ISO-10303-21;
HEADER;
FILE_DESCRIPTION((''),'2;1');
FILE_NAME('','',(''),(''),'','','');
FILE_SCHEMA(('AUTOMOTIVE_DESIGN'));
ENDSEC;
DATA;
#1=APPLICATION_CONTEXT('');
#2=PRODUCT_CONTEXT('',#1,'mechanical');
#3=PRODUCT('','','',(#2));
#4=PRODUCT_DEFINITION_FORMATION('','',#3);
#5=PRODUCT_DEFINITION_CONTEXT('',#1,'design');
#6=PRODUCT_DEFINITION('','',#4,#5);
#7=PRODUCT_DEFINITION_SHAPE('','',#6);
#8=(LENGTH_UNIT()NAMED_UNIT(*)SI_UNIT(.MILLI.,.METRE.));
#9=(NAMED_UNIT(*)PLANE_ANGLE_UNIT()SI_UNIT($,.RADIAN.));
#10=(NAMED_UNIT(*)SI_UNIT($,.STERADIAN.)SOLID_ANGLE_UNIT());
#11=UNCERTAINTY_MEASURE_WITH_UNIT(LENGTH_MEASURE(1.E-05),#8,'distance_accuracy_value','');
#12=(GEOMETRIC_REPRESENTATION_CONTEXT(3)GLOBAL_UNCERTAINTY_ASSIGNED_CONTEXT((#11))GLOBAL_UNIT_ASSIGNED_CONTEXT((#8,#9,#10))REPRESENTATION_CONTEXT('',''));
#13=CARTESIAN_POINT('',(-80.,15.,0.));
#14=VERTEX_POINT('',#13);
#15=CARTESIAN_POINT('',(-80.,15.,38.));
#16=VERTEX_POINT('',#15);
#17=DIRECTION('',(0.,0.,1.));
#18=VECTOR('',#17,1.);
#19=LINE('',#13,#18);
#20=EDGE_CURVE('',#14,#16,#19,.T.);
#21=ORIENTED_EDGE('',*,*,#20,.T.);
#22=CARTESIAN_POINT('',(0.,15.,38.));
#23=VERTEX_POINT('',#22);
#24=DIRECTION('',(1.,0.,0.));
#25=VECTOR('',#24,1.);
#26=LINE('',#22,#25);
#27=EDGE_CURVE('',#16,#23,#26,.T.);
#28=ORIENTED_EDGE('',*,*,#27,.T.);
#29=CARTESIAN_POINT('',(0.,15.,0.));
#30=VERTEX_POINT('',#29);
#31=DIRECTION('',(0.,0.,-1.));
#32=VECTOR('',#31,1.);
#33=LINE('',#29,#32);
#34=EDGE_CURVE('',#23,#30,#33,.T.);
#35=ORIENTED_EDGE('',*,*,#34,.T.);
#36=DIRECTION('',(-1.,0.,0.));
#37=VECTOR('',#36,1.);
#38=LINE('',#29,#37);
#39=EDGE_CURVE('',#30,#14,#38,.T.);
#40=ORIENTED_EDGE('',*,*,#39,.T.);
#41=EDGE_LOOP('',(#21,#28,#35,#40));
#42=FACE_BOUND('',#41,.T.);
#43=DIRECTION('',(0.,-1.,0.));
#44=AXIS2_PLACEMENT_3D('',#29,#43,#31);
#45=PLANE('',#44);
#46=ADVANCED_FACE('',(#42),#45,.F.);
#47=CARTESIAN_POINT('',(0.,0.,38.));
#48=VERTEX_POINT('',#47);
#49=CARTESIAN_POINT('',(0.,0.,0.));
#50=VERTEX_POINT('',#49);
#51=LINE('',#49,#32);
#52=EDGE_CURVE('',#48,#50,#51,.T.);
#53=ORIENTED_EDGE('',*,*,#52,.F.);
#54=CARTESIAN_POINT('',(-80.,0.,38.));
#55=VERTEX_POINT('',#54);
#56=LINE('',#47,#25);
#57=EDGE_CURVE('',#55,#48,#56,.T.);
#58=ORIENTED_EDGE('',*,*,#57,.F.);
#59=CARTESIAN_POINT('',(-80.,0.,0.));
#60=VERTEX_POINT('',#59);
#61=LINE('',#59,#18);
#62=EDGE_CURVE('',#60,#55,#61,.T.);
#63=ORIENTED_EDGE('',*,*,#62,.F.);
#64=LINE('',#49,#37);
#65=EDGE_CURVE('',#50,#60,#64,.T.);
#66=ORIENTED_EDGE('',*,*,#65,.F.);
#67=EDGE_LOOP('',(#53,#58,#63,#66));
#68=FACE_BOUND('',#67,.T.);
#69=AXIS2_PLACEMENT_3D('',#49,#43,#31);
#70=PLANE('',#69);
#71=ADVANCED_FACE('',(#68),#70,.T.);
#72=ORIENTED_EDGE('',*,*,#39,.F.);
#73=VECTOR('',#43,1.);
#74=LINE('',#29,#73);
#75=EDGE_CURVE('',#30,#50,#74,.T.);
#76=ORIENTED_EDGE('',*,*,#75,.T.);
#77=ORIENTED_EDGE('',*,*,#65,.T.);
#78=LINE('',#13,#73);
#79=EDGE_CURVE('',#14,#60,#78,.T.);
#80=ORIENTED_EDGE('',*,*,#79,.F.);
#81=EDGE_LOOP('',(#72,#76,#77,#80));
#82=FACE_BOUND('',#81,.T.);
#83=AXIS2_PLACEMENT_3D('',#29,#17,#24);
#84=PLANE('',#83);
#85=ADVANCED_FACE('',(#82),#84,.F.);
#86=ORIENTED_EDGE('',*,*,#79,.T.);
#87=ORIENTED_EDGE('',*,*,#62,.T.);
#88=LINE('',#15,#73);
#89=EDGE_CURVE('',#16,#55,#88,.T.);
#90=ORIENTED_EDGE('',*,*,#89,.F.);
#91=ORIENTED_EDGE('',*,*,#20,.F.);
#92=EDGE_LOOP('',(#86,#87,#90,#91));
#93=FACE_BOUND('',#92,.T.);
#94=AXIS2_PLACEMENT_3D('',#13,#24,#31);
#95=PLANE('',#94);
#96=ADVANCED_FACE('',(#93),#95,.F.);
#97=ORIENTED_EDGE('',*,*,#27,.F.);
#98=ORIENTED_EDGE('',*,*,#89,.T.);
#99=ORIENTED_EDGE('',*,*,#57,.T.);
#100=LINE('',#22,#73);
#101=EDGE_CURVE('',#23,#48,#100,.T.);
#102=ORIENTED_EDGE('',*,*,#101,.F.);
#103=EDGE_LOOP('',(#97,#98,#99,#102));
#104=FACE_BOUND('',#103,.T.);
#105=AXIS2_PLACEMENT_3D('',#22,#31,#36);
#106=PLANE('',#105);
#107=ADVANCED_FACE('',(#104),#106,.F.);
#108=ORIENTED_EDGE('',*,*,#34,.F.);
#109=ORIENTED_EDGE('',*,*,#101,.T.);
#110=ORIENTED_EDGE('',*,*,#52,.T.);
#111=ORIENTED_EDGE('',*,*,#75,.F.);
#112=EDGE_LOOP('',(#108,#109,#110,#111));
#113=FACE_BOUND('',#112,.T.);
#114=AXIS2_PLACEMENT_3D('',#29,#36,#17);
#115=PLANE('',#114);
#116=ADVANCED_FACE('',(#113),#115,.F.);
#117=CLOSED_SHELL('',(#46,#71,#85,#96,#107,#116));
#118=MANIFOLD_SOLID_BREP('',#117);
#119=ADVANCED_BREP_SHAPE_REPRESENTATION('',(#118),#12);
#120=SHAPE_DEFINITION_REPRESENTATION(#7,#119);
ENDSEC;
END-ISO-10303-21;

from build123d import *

# Parameters (mm, degrees)
SKETCH1_W           = 80
SKETCH1_H           = 38
BOSS_EXTRUDE1_DEPTH = 15


with BuildPart() as part:
    # Sketch1 → Boss-Extrude1 (new body)
    with BuildSketch(Plane(origin=(0, 0, 0), x_dir=(1, 0, 0), z_dir=(0, 1, 0))):
        with Locations((-40, -19)):
            Rectangle(SKETCH1_W, SKETCH1_H)
    extrude(amount=BOSS_EXTRUDE1_DEPTH)


solid = part.part
